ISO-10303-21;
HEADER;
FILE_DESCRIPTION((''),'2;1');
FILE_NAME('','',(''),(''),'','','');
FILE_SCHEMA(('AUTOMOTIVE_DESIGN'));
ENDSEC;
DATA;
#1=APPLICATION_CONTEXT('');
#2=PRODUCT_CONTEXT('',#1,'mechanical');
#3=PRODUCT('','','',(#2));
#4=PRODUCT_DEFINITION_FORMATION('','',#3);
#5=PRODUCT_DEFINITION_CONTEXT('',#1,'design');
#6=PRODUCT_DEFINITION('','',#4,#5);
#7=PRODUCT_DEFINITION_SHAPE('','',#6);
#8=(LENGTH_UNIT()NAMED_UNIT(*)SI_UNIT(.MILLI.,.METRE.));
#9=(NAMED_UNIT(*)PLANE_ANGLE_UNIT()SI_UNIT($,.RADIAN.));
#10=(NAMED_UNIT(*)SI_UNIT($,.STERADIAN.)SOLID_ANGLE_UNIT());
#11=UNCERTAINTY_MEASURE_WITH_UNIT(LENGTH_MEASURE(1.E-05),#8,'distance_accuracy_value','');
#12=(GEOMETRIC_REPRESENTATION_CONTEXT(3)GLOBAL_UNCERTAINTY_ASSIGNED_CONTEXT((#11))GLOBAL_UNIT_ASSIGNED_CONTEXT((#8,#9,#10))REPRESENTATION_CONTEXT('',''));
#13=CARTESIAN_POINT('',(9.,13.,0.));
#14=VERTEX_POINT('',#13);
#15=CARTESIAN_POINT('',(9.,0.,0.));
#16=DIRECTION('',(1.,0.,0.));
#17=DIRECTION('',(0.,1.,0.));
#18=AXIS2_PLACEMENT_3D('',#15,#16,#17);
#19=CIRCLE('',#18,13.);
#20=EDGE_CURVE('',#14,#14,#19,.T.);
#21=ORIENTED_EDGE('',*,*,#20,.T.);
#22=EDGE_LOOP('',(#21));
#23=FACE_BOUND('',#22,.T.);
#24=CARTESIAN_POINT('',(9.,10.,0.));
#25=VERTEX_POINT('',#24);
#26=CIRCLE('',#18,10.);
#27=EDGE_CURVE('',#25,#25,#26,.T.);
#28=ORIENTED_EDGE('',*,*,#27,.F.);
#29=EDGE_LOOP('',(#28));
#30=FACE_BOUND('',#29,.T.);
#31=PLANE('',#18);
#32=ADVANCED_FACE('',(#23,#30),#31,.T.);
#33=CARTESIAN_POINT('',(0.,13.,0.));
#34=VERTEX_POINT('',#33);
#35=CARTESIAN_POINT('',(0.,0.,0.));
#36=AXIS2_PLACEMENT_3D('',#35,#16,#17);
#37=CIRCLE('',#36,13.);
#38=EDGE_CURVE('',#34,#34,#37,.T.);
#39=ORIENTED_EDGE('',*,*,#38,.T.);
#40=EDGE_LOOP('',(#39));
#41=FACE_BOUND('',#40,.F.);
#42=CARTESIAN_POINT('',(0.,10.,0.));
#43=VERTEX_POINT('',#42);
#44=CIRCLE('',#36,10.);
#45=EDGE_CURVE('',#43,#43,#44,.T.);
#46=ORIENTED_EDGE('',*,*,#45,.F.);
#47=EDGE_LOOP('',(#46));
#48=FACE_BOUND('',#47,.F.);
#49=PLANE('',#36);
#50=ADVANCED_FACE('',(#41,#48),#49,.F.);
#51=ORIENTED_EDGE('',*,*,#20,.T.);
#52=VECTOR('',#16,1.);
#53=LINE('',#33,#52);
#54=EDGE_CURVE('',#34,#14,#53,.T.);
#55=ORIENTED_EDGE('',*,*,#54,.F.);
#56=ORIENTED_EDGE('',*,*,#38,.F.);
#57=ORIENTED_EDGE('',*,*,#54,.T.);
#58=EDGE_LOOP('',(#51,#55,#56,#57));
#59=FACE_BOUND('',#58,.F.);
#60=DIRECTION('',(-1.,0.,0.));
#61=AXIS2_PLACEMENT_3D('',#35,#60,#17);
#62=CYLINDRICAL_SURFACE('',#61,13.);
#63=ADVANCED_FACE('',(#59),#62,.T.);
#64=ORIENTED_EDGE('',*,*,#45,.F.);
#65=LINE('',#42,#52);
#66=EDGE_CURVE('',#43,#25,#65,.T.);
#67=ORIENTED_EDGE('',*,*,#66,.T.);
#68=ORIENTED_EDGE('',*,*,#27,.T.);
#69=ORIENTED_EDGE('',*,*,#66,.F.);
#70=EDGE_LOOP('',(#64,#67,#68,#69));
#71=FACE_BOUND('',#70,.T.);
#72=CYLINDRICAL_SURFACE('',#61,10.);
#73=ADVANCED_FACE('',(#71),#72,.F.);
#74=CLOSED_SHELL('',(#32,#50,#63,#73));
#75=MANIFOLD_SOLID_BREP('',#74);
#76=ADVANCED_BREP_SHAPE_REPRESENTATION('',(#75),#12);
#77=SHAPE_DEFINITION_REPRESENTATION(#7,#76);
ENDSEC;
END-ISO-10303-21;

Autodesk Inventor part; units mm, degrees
ref_plane "YZ Plane" through (0, 0, 0) normal (1, 0, 0) x (0, 1, 0)
ref_plane "XZ Plane" through (0, 0, 0) normal (0, 1, 0) x (-1, 0, 0)
ref_plane "XY Plane" through (0, 0, 0) normal (0, 0, 1) x (1, 0, 0)
sketch "スケッチ1" plane through (0, 0, 0) normal (1, 0, 0) x (0, 1, 0)
  circle A0 centre (0, 0) radius 13
  circle A1 centre (0, 0) radius 10
  dimension "d0" = 26
  dimension "d1" = 20
extrude "押し出し1" add sketch "スケッチ1" along normal blind 9
properties part number "tire_20-26"
